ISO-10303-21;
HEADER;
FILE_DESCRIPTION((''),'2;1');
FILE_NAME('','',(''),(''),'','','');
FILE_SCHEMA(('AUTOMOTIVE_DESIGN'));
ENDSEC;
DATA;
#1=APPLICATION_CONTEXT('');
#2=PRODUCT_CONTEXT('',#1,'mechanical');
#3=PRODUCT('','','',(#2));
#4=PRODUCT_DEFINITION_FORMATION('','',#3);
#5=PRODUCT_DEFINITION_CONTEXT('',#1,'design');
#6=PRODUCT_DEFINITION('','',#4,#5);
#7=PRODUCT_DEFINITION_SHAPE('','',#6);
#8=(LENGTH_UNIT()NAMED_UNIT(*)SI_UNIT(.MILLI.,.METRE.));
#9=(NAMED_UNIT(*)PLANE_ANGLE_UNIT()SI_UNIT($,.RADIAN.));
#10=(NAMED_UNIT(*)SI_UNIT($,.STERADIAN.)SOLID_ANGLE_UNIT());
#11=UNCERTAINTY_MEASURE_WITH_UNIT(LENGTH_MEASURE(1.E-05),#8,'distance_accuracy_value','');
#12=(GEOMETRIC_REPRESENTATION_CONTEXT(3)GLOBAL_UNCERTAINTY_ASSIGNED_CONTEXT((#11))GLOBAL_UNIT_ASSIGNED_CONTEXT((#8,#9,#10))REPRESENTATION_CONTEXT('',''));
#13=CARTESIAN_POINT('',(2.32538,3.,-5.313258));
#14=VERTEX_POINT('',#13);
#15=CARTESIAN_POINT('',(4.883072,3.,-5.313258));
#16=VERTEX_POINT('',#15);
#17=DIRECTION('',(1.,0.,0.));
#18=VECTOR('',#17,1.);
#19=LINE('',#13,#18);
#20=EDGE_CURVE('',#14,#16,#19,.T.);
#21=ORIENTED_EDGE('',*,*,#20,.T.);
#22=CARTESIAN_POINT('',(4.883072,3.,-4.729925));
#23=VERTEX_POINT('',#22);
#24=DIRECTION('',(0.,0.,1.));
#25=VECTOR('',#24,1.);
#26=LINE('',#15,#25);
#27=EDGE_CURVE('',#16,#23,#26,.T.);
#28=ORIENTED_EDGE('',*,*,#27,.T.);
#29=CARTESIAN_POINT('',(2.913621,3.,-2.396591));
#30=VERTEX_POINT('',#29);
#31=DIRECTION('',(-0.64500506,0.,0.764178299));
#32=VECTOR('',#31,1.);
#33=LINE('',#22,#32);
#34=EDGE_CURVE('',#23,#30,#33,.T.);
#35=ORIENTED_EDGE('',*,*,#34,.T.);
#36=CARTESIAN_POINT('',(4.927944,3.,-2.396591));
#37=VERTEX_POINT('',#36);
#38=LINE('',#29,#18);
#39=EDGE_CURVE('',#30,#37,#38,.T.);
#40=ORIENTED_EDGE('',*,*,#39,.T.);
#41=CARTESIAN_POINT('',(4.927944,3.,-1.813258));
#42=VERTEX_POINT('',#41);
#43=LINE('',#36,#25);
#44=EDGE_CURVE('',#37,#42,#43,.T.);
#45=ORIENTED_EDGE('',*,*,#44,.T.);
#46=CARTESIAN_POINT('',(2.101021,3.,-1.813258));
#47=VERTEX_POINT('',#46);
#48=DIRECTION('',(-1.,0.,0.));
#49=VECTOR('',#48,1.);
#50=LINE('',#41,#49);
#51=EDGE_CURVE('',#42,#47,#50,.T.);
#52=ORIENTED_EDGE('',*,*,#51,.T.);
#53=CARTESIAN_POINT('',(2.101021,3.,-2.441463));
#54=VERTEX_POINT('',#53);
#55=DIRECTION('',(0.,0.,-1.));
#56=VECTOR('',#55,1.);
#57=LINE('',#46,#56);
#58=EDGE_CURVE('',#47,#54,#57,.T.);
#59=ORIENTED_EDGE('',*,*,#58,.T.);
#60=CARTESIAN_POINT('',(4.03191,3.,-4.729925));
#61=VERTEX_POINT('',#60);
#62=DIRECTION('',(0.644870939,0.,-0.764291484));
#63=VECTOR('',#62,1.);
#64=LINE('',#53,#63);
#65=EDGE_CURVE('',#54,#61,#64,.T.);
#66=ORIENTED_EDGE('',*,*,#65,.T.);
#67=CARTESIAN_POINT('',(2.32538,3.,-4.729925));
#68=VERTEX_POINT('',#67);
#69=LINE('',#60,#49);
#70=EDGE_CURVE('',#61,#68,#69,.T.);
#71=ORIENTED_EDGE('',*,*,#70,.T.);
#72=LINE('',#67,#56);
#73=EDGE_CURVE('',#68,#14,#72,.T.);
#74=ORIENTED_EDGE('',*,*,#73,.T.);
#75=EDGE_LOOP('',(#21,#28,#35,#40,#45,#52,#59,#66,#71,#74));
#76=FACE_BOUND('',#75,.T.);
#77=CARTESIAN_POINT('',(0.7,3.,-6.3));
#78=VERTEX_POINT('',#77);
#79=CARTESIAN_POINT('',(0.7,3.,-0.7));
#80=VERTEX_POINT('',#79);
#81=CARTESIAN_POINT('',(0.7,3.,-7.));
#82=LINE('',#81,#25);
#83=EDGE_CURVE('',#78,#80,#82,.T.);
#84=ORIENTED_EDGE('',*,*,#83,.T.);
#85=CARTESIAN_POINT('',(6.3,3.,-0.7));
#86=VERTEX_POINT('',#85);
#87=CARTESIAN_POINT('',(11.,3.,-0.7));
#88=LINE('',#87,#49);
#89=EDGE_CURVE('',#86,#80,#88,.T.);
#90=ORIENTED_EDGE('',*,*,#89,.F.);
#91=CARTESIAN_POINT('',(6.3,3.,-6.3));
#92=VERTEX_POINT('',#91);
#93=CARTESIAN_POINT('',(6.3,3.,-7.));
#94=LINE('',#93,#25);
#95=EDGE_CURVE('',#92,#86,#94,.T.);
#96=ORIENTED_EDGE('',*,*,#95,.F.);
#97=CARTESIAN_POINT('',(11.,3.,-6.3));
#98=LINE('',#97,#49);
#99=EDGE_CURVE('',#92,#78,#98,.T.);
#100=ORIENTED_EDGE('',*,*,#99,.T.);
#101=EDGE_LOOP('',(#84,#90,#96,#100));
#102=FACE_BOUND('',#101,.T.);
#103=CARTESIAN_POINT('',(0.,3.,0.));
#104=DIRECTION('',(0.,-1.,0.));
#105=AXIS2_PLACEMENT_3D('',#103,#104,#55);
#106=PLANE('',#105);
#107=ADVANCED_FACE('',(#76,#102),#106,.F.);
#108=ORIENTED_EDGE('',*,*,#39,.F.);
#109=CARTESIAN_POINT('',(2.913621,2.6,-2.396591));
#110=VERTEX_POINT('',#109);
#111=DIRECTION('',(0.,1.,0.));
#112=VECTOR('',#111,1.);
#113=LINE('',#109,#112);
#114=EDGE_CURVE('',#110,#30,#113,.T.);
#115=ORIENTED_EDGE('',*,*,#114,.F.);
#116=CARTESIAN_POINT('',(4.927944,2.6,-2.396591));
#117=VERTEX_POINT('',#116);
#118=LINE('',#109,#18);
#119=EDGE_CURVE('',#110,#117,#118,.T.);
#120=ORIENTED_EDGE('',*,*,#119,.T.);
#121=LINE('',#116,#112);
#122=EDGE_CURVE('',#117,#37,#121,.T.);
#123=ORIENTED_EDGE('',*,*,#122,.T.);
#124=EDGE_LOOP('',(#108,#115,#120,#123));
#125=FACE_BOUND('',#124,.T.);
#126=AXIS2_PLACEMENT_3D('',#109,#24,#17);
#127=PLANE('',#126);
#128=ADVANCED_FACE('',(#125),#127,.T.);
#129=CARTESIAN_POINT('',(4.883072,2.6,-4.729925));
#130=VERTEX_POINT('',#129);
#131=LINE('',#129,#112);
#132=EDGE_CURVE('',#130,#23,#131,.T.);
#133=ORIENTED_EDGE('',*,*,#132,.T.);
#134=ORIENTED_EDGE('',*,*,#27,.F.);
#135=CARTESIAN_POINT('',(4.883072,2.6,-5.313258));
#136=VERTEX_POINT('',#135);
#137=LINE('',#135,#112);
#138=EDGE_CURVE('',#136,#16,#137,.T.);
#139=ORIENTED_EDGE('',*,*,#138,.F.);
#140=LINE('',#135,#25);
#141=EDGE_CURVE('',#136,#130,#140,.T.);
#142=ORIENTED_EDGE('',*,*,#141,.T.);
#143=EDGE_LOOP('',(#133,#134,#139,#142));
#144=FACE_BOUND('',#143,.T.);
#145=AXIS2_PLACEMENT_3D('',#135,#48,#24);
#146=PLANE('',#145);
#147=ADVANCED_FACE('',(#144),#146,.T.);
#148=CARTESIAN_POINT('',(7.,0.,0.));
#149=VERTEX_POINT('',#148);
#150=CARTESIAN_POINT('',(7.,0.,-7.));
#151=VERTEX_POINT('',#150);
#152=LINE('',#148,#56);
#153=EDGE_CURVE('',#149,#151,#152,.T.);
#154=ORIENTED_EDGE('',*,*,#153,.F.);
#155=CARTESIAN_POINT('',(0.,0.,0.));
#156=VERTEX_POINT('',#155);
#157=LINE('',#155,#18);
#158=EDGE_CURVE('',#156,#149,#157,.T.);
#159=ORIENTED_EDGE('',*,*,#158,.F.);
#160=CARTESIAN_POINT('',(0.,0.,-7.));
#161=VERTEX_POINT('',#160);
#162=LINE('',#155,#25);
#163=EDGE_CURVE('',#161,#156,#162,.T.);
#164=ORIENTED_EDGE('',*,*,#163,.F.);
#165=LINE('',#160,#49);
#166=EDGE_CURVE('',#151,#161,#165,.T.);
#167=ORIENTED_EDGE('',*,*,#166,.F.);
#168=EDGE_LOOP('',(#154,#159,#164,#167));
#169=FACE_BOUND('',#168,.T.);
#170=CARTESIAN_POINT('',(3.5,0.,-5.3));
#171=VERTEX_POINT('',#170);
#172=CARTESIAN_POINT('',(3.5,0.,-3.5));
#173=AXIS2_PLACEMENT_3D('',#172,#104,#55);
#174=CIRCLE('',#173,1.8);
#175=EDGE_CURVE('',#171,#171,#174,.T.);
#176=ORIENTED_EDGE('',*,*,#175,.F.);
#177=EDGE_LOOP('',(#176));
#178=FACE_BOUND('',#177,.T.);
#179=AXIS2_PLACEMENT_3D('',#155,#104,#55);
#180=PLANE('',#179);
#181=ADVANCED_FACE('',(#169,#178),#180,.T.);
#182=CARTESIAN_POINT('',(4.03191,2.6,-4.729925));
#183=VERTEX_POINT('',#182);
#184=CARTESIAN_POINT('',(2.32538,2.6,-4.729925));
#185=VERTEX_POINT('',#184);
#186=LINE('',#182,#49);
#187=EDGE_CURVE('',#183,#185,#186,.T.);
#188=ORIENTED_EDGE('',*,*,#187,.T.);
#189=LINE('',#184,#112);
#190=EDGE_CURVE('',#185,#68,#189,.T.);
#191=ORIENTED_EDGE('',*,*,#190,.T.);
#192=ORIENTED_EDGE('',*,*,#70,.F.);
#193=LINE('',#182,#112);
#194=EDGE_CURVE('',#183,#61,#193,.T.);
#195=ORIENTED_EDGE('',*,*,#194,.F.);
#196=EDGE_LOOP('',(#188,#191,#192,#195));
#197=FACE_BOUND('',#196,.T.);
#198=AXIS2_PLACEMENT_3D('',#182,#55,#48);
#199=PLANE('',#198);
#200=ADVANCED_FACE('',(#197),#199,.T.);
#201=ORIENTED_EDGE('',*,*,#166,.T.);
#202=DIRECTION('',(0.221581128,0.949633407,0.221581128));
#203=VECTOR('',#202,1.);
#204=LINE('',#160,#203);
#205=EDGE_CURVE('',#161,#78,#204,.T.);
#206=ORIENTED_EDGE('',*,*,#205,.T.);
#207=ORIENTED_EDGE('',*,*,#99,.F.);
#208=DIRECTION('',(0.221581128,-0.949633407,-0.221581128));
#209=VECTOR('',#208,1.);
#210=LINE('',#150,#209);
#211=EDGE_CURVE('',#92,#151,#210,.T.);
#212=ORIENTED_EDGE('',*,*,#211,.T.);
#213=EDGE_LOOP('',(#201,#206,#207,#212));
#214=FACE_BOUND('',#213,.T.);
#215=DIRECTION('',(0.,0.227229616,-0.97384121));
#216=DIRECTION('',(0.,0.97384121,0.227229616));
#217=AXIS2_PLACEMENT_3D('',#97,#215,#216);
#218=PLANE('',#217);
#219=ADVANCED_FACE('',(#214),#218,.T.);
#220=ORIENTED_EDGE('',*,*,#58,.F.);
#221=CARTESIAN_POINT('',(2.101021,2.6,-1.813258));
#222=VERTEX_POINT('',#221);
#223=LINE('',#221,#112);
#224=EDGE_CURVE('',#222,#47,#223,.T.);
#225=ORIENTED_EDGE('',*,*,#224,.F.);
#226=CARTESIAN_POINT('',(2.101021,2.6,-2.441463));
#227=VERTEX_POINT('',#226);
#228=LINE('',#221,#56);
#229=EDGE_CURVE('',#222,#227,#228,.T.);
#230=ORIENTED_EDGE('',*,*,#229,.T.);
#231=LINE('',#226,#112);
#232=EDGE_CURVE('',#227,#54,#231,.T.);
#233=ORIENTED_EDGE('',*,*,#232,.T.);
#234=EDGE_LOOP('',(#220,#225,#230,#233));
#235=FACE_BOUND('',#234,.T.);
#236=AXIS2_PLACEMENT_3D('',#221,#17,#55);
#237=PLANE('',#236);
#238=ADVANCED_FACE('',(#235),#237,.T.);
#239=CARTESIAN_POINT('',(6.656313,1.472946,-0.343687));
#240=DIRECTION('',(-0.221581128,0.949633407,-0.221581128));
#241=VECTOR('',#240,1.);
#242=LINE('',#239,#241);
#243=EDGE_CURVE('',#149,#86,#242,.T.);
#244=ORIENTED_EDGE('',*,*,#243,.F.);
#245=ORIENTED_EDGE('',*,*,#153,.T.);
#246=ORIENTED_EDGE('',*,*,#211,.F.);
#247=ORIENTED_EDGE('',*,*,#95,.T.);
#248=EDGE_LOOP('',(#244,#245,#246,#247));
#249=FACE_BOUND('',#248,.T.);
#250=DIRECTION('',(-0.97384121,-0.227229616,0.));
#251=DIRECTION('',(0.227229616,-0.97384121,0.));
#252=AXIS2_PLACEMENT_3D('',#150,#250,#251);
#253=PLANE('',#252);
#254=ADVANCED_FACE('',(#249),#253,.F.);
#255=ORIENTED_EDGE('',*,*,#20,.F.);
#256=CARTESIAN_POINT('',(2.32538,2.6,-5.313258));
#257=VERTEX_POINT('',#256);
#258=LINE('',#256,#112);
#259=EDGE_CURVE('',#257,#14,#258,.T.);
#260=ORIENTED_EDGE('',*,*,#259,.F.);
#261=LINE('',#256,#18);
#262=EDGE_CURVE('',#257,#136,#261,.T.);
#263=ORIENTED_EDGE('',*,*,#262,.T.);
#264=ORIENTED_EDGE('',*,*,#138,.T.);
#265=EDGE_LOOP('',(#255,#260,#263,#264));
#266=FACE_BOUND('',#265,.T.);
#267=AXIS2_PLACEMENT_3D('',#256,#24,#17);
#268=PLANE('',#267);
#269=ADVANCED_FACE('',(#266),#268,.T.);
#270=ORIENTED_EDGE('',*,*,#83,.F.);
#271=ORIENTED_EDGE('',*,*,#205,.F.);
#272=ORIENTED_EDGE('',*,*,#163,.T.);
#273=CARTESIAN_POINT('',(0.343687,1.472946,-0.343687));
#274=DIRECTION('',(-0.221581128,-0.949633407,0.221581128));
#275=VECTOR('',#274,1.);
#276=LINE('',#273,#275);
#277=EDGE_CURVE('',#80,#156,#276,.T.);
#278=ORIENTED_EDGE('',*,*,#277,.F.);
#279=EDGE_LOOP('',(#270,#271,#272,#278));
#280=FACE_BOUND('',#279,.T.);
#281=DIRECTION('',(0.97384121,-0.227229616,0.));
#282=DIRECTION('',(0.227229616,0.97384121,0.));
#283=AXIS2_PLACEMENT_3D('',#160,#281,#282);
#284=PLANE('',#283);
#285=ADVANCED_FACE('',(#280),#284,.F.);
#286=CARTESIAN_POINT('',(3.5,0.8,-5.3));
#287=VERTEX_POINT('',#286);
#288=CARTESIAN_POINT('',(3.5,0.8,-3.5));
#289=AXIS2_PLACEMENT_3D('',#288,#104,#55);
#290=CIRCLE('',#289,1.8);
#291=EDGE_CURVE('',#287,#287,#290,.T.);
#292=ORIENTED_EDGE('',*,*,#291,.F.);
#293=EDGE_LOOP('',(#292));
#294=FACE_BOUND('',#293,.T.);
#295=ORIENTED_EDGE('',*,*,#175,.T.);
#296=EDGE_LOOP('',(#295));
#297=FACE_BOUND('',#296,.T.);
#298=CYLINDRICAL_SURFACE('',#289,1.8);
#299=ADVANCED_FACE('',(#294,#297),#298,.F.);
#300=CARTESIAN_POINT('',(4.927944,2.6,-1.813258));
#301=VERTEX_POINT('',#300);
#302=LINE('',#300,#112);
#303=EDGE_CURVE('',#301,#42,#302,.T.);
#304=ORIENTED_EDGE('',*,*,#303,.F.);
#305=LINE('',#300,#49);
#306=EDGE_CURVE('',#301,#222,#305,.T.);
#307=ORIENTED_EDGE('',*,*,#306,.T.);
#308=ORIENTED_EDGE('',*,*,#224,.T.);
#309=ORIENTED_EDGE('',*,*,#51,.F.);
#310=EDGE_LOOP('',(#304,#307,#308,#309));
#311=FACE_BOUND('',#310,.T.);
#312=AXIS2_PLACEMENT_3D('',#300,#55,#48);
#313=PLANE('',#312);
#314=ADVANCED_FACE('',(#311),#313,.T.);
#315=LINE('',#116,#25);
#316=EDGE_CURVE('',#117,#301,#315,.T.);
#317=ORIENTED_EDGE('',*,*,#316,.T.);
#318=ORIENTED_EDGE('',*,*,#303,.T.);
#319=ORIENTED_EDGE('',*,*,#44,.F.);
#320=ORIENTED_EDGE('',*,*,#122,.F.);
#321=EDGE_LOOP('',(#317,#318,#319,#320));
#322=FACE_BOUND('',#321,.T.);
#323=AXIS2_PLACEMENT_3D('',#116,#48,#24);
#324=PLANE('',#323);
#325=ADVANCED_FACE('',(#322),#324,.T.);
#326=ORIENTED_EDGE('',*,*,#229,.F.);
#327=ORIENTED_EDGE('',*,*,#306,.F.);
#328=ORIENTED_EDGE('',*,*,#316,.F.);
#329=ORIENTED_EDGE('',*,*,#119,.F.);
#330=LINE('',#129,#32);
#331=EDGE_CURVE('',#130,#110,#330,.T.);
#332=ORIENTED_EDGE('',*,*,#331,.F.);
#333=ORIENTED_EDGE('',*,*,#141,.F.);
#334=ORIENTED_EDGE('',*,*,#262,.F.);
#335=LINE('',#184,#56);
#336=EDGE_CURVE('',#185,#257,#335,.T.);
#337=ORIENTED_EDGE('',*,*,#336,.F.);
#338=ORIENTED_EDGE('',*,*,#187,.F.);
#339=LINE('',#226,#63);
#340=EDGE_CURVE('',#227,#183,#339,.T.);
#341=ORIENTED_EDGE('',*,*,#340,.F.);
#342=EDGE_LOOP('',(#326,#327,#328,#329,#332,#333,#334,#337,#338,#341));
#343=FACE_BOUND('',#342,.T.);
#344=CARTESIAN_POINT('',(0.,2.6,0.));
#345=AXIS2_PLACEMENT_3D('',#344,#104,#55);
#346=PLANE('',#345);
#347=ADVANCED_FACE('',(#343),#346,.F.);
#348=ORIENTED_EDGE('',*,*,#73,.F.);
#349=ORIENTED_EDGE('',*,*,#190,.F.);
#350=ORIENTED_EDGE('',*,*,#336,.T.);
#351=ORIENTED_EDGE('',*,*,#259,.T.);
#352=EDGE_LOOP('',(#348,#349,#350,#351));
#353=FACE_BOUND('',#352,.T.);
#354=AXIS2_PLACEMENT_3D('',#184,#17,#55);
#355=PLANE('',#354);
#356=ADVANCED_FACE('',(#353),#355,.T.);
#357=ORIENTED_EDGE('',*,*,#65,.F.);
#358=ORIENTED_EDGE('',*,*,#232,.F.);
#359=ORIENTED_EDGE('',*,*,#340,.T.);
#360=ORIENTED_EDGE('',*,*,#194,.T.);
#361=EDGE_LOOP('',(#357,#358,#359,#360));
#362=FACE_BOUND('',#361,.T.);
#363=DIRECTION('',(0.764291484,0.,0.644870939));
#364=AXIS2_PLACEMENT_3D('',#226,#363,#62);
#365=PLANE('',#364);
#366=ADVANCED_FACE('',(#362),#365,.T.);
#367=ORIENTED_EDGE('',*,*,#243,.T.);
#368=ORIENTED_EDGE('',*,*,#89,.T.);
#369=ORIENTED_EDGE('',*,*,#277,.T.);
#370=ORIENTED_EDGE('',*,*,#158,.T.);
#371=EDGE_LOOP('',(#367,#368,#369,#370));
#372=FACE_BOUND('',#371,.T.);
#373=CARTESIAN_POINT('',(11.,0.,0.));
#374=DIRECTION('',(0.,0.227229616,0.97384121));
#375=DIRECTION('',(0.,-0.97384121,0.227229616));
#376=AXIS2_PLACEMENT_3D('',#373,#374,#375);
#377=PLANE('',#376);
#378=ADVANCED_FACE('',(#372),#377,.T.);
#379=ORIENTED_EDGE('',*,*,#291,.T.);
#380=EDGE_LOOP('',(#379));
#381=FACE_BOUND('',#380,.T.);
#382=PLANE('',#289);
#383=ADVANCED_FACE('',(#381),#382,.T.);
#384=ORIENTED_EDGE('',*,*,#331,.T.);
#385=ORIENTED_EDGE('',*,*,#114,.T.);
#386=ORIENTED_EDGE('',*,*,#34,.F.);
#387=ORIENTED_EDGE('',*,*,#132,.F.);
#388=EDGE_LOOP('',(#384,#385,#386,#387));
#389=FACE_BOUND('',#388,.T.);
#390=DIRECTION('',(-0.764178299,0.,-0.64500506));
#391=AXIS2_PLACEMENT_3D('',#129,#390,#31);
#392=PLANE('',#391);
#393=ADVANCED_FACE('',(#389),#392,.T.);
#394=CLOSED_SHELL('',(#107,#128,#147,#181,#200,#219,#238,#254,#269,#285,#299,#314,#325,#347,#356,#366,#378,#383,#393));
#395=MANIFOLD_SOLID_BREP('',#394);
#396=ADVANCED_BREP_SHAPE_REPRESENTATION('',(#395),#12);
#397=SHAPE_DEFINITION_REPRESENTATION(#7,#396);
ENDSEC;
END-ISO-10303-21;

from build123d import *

# Parameters (mm, degrees)
SKETCH1_W           = 7
SKETCH1_H           = 7
BOSS_EXTRUDE1_DEPTH = 3
CUT_EXTRUDE1_DEPTH  = 7
CUT_EXTRUDE2_DEPTH  = 11
SKETCH4_R           = 1.8
CUT_EXTRUDE3_DEPTH  = 0.8
CUT_EXTRUDE4_DEPTH  = 0.4


with BuildPart() as part:
    # Sketch1 → Boss-Extrude1 (new body)
    with BuildSketch(Plane(origin=(0, 0, 0), x_dir=(1, 0, 0), z_dir=(0, 1, 0))):
        with Locations((3.5, 3.5)):
            Rectangle(SKETCH1_W, SKETCH1_H)
    extrude(amount=BOSS_EXTRUDE1_DEPTH)

    # Sketch2 → Cut-Extrude1 (cut)
    with BuildSketch(Plane.XY):
        Polygon((0, 0), (0.7, 3), (0, 3), align=None)
        Polygon((7, 0), (6.3, 3), (7, 3), align=None)
    extrude(amount=-CUT_EXTRUDE1_DEPTH, mode=Mode.SUBTRACT)

    # Sketch3 → Cut-Extrude2 (cut)
    with BuildSketch(Plane(origin=(0, 0, 0), x_dir=(0, 0, -1), z_dir=(1, 0, 0))):
        Polygon((0, 0), (0.7, 3), (0, 3), align=None)
        Polygon((7, 3), (6.3, 3), (7, 0), align=None)
    extrude(amount=CUT_EXTRUDE2_DEPTH, mode=Mode.SUBTRACT)

    # Sketch4 → Cut-Extrude3 (cut)
    with BuildSketch(Plane.XZ):
        with Locations(Location((3.5, -3.5, 0), (0, 0, 270))):
            Circle(SKETCH4_R)
    extrude(amount=-CUT_EXTRUDE3_DEPTH, mode=Mode.SUBTRACT)

    # Sketch5 → Cut-Extrude4 (cut)
    with BuildSketch(Plane(origin=(0, 3, 0), x_dir=(1, 0, 0), z_dir=(0, 1, 0))):
        Polygon((2.101020722, 1.813258093), (2.101020722, 2.441463221), (4.031910145, 4.729924759), (2.325379696, 4.729924759), (2.325379696, 5.313258093), (4.883072004, 5.313258093), (4.883072004, 4.729924759), (2.913620882, 2.396591426), (4.927943799, 2.396591426), (4.927943799, 1.813258093), align=None)
    extrude(amount=-CUT_EXTRUDE4_DEPTH, mode=Mode.SUBTRACT)


solid = part.part
